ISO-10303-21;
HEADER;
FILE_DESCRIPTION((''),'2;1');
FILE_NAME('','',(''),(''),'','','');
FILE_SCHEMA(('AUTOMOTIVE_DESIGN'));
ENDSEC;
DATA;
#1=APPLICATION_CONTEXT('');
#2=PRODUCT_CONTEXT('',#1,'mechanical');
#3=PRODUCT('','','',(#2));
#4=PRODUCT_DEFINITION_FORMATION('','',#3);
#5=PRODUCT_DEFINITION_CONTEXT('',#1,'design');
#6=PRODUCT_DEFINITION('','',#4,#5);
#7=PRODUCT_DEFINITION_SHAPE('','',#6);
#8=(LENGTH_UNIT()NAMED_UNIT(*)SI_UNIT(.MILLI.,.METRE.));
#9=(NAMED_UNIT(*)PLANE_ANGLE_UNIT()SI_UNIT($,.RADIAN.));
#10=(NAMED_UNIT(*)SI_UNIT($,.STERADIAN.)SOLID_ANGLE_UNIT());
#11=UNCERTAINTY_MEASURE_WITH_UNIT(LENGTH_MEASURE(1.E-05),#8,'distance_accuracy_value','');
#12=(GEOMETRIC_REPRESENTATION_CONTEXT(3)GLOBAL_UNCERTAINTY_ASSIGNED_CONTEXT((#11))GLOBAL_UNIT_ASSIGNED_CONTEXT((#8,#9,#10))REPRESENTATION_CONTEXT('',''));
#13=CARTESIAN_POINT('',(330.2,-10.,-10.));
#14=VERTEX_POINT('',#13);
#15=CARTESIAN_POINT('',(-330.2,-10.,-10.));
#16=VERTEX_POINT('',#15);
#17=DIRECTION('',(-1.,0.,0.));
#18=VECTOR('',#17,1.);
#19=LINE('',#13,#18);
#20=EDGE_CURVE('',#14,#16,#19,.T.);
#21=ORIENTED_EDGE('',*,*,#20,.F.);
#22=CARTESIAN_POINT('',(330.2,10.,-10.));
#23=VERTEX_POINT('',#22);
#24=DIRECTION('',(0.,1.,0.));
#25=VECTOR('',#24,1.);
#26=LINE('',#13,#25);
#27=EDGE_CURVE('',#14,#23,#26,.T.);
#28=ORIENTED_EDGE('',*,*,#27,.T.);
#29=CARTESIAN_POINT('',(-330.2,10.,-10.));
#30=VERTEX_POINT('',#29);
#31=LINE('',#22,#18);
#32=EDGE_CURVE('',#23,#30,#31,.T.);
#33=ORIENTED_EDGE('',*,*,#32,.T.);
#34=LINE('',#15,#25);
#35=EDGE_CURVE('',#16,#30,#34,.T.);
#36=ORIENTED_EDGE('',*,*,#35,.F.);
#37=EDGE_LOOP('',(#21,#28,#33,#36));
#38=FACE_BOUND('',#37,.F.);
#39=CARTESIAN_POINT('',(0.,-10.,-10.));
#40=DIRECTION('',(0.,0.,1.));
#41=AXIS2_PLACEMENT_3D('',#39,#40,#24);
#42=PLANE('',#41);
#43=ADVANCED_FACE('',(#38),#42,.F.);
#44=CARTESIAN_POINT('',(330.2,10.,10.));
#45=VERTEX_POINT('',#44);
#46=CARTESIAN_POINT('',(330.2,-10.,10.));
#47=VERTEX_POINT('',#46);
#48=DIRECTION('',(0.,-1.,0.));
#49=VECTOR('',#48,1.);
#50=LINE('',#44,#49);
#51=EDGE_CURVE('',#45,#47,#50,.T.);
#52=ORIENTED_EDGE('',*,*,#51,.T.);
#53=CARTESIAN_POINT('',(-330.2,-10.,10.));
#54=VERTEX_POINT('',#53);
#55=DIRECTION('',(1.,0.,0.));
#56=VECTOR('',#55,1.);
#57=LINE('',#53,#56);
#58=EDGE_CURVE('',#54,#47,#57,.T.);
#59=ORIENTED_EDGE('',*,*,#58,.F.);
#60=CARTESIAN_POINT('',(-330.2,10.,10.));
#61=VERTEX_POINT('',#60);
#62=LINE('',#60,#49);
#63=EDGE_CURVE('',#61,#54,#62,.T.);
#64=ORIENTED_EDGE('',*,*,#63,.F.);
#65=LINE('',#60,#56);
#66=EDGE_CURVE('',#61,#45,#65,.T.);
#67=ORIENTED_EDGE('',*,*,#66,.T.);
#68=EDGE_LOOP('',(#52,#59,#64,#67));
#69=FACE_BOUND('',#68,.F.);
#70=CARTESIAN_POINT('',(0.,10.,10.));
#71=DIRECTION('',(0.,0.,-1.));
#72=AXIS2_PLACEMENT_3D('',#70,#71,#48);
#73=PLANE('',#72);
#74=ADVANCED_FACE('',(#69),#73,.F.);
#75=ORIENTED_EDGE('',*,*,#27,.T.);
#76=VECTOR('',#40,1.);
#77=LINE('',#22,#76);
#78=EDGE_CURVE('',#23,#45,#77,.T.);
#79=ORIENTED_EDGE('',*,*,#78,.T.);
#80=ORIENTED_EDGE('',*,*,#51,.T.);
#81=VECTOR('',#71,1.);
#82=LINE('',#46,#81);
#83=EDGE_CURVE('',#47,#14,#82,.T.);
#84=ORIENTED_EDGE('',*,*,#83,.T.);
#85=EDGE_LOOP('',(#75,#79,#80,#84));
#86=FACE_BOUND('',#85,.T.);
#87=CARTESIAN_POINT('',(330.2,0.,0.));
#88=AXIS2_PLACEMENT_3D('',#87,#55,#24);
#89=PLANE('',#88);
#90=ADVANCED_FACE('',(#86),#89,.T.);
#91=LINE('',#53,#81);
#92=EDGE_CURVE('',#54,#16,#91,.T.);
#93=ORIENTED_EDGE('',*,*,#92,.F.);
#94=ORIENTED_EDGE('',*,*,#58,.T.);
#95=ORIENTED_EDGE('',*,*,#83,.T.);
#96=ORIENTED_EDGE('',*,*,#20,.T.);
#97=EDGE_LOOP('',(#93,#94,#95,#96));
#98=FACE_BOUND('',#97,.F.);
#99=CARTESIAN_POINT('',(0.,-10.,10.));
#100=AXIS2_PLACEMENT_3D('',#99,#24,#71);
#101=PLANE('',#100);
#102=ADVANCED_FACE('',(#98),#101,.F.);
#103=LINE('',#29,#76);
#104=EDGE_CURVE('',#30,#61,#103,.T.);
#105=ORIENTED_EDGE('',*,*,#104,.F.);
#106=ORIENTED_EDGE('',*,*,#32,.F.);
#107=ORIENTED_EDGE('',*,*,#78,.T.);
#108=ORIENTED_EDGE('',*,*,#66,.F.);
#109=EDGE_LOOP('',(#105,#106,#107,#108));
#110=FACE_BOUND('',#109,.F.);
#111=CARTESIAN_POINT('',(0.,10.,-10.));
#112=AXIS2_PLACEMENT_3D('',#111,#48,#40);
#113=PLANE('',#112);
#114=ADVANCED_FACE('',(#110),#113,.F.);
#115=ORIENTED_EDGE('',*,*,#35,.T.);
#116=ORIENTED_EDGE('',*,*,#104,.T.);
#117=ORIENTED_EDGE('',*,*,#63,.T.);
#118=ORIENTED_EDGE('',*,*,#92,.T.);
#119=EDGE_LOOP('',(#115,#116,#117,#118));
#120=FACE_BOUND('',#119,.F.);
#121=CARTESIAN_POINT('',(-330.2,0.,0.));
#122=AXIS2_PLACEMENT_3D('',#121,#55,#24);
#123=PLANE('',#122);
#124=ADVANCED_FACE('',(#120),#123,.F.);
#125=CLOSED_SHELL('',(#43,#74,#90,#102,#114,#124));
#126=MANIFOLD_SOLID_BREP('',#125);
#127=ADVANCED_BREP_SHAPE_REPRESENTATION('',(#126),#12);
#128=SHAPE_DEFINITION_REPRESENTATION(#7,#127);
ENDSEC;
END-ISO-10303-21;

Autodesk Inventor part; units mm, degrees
ref_plane "YZ Plane" through (0, 0, 0) normal (1, 0, 0) x (0, 1, 0)
ref_plane "XZ Plane" through (0, 0, 0) normal (0, 1, 0) x (-1, 0, 0)
ref_plane "XY Plane" through (0, 0, 0) normal (0, 0, 1) x (1, 0, 0)
sketch "Sketch1" plane through (0, 0, 0) normal (1, 0, 0) x (0, 1, 0)
  line L0 (10, 10) -> (-10, 10)
  line L1 (-10, 10) -> (-10, -10)
  line L2 (-10, -10) -> (10, -10)
  line L3 (10, -10) -> (10, 10)
  line L4 (10, 10) -> (-10, -10) construction
  line L5 (-10, 10) -> (10, -10) construction
  point P0 (0, 0)
  dimension "d0" = 20
  dimension "d1" = 20
extrude "Extrusion1" add sketch "Sketch1" along normal mid plane 660.4
properties part number "Alum extrusion 26in"
